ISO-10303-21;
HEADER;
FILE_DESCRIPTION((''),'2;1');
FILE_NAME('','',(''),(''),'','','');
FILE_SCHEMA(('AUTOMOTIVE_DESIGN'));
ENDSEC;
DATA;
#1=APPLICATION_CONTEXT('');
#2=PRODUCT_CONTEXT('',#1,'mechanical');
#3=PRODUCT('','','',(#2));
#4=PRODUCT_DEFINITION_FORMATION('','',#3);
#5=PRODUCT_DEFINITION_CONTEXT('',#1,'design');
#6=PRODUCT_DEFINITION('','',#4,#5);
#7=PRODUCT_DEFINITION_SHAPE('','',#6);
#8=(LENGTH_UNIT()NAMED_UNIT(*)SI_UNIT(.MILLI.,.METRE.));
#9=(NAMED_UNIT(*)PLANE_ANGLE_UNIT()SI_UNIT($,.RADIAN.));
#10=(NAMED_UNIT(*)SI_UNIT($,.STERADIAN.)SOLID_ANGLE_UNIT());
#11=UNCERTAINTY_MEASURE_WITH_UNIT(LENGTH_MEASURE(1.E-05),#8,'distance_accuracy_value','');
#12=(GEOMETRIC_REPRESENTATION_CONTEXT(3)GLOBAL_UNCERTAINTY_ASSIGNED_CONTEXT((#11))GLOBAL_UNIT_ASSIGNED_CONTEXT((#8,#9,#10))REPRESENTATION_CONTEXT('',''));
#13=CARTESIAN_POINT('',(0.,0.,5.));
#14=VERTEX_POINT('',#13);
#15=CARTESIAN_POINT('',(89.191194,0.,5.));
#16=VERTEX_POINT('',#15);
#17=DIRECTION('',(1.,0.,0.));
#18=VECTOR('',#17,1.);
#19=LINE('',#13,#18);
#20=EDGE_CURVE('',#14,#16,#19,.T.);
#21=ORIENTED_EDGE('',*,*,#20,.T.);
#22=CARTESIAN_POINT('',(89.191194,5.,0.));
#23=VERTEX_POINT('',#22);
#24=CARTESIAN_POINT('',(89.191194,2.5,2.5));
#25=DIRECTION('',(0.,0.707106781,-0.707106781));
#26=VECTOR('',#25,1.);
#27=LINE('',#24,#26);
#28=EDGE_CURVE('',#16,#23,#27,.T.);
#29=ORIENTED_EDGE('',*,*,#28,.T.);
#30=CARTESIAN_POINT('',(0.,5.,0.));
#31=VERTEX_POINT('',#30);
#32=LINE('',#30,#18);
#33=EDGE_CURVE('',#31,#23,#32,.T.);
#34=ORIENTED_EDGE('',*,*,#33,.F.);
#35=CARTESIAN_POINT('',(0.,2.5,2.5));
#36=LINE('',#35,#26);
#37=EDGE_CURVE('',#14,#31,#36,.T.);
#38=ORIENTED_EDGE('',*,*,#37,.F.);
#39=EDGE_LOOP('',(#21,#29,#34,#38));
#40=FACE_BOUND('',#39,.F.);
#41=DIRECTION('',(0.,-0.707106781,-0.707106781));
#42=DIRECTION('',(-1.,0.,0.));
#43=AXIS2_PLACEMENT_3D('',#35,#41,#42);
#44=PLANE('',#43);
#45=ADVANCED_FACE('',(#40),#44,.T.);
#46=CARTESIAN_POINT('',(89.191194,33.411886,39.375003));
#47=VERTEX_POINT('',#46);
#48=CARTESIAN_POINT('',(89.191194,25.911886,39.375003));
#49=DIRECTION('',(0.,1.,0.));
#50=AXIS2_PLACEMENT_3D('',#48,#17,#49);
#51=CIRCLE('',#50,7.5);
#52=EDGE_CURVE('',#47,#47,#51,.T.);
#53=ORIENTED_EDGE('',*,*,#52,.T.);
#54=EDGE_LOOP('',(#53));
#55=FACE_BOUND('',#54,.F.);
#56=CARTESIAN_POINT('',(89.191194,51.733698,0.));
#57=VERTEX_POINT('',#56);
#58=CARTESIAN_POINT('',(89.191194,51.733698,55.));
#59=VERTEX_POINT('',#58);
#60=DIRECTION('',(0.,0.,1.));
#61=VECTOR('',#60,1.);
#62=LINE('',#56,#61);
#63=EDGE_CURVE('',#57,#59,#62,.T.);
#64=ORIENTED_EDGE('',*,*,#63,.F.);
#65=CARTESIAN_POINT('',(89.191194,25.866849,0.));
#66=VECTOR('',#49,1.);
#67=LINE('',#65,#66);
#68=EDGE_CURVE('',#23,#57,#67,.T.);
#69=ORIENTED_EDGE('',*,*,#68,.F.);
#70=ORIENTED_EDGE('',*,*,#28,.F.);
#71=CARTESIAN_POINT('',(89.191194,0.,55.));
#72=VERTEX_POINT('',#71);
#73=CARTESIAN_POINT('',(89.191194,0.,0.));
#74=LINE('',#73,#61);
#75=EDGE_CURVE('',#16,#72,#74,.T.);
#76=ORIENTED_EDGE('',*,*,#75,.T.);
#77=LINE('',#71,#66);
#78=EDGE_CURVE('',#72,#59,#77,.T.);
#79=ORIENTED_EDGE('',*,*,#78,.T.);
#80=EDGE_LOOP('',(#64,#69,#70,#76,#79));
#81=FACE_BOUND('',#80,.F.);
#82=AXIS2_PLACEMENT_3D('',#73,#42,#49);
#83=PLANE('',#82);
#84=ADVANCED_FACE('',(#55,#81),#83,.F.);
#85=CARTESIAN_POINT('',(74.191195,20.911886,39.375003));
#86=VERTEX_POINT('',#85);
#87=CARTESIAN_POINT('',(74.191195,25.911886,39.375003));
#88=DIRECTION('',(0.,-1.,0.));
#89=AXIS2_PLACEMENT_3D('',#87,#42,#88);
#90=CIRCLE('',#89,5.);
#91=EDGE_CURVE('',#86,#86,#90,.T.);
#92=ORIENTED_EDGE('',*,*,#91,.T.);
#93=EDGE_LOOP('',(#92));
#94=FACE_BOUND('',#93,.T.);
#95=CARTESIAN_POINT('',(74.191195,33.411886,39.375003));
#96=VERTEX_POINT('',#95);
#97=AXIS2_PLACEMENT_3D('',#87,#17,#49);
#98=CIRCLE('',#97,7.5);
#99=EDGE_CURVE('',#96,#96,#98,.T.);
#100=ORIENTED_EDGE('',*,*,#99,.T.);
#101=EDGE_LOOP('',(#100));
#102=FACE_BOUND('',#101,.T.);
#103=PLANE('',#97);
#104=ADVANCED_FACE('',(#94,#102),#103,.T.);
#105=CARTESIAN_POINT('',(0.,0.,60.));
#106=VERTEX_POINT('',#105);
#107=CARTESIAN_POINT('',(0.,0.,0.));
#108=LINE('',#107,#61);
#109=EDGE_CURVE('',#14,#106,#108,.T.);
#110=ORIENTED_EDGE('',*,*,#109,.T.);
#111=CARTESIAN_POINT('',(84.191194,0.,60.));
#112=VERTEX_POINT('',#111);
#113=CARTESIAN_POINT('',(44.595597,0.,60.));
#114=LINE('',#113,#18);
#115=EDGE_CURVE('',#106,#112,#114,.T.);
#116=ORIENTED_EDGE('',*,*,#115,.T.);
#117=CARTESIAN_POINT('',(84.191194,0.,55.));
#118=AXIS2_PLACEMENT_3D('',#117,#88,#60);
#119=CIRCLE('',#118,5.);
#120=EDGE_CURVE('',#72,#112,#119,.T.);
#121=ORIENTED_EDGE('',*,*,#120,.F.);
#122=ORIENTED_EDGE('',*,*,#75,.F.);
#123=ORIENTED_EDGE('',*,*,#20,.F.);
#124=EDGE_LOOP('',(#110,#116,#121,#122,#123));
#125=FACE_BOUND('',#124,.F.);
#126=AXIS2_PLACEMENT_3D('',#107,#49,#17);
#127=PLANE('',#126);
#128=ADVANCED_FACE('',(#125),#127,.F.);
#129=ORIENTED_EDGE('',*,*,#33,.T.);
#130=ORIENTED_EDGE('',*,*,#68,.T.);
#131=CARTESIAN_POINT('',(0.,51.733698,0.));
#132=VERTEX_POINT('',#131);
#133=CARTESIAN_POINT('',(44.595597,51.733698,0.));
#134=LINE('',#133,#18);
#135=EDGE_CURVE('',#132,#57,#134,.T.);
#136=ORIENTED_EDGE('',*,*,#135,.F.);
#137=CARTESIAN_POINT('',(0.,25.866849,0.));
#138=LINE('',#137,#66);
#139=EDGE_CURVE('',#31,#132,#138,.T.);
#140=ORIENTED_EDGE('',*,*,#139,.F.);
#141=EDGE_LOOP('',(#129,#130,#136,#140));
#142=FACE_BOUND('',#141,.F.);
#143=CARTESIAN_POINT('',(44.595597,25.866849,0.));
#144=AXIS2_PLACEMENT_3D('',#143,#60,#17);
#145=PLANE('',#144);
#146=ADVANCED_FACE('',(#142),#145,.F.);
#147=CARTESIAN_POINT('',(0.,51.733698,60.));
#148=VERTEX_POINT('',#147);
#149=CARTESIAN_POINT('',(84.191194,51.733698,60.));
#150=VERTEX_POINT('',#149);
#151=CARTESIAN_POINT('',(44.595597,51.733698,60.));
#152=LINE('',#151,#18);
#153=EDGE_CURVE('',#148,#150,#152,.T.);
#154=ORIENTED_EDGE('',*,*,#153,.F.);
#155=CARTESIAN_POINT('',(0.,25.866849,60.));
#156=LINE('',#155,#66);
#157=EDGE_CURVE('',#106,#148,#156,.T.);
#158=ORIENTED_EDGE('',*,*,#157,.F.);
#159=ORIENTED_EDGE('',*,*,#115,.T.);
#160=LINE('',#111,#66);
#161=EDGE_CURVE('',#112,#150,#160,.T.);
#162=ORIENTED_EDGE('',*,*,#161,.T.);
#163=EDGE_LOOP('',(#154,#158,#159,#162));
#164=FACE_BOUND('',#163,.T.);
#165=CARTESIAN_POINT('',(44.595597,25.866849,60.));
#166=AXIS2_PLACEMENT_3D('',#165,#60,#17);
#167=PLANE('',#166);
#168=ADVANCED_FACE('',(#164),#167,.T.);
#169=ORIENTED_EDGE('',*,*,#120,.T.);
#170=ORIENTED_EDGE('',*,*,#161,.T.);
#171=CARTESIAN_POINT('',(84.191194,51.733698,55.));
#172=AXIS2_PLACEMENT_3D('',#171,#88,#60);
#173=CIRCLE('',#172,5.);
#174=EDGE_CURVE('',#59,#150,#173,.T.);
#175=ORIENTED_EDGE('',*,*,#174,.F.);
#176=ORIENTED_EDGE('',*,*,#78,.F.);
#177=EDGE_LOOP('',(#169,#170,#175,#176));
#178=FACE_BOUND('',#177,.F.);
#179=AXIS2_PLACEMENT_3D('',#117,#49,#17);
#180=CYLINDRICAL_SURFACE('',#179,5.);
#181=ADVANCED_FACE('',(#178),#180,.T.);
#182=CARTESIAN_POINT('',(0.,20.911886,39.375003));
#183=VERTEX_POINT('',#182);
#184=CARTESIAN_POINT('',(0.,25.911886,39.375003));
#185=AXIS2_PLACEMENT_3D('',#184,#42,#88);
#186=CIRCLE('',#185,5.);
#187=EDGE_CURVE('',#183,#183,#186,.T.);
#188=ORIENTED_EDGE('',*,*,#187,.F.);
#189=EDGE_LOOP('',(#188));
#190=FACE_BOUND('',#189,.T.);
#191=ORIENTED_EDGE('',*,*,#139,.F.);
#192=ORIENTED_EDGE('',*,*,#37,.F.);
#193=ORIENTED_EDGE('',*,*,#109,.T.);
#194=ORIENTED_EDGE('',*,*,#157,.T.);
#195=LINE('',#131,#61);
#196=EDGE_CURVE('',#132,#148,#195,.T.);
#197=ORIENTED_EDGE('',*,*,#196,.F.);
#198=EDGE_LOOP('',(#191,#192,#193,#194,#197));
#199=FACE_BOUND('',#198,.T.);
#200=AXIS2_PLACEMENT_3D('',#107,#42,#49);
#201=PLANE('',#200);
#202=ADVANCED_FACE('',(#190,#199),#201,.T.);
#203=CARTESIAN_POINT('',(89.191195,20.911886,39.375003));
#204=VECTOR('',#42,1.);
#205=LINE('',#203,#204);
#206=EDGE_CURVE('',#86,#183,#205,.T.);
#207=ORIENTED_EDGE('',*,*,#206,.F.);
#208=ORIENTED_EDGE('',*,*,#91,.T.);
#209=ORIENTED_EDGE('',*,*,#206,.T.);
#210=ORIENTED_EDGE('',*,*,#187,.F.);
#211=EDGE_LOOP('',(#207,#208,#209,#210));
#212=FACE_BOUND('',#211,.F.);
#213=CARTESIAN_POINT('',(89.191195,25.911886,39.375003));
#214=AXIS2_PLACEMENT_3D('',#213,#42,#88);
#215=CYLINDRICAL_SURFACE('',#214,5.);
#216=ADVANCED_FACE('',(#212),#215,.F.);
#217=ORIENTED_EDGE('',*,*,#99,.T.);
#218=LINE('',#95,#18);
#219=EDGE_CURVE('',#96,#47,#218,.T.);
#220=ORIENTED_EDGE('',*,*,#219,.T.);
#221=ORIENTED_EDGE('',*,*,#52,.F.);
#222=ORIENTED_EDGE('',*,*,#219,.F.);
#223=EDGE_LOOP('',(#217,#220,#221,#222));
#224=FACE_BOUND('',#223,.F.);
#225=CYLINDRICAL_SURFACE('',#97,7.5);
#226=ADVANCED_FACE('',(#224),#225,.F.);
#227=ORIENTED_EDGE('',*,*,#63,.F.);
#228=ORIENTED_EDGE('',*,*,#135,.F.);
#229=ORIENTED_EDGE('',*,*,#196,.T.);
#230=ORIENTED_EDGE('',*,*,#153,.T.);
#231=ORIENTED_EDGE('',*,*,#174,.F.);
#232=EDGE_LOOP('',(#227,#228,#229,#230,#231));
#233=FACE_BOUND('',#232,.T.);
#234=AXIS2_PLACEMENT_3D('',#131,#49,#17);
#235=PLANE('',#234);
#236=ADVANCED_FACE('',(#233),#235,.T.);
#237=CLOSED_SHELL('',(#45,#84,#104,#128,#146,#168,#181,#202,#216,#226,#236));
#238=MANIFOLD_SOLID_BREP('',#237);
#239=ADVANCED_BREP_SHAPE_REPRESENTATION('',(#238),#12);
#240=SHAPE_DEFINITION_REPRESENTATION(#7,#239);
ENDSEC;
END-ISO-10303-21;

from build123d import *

# Parameters (mm, degrees)
F0_W           = 89.191195
F0_H           = 51.733698
F1_DEPTH       = 60
F2_R           = 5
F3_SIZE        = 5
F5_D           = 10
F5_CBORE_D     = 15
F5_CBORE_DEPTH = 15


with BuildPart() as f1:
    # F0 (on Top) → F1 (new body)
    with BuildSketch(Plane.XY):
        with Locations((44.595597, 25.866849)):
            Rectangle(F0_W, F0_H)
    extrude(amount=F1_DEPTH)

    # F2
    f2_edges = [f1.edges().sort_by_distance(p)[0] for p in [
        (89.191195, 25.866849, 60),
    ]]
    fillet(f2_edges, radius=F2_R)

    # F3
    f3_edges = [f1.edges().sort_by_distance(p)[0] for p in [
        (44.595597, 0, 0),
    ]]
    chamfer(f3_edges, length=F3_SIZE)

    # F5 (through all)
    with Locations(Plane.YZ.offset(89.191195)):
        with Locations((25.911886, 39.375003)):
            CounterBoreHole(F5_D / 2, F5_CBORE_D / 2, F5_CBORE_DEPTH)


solid = f1.part
